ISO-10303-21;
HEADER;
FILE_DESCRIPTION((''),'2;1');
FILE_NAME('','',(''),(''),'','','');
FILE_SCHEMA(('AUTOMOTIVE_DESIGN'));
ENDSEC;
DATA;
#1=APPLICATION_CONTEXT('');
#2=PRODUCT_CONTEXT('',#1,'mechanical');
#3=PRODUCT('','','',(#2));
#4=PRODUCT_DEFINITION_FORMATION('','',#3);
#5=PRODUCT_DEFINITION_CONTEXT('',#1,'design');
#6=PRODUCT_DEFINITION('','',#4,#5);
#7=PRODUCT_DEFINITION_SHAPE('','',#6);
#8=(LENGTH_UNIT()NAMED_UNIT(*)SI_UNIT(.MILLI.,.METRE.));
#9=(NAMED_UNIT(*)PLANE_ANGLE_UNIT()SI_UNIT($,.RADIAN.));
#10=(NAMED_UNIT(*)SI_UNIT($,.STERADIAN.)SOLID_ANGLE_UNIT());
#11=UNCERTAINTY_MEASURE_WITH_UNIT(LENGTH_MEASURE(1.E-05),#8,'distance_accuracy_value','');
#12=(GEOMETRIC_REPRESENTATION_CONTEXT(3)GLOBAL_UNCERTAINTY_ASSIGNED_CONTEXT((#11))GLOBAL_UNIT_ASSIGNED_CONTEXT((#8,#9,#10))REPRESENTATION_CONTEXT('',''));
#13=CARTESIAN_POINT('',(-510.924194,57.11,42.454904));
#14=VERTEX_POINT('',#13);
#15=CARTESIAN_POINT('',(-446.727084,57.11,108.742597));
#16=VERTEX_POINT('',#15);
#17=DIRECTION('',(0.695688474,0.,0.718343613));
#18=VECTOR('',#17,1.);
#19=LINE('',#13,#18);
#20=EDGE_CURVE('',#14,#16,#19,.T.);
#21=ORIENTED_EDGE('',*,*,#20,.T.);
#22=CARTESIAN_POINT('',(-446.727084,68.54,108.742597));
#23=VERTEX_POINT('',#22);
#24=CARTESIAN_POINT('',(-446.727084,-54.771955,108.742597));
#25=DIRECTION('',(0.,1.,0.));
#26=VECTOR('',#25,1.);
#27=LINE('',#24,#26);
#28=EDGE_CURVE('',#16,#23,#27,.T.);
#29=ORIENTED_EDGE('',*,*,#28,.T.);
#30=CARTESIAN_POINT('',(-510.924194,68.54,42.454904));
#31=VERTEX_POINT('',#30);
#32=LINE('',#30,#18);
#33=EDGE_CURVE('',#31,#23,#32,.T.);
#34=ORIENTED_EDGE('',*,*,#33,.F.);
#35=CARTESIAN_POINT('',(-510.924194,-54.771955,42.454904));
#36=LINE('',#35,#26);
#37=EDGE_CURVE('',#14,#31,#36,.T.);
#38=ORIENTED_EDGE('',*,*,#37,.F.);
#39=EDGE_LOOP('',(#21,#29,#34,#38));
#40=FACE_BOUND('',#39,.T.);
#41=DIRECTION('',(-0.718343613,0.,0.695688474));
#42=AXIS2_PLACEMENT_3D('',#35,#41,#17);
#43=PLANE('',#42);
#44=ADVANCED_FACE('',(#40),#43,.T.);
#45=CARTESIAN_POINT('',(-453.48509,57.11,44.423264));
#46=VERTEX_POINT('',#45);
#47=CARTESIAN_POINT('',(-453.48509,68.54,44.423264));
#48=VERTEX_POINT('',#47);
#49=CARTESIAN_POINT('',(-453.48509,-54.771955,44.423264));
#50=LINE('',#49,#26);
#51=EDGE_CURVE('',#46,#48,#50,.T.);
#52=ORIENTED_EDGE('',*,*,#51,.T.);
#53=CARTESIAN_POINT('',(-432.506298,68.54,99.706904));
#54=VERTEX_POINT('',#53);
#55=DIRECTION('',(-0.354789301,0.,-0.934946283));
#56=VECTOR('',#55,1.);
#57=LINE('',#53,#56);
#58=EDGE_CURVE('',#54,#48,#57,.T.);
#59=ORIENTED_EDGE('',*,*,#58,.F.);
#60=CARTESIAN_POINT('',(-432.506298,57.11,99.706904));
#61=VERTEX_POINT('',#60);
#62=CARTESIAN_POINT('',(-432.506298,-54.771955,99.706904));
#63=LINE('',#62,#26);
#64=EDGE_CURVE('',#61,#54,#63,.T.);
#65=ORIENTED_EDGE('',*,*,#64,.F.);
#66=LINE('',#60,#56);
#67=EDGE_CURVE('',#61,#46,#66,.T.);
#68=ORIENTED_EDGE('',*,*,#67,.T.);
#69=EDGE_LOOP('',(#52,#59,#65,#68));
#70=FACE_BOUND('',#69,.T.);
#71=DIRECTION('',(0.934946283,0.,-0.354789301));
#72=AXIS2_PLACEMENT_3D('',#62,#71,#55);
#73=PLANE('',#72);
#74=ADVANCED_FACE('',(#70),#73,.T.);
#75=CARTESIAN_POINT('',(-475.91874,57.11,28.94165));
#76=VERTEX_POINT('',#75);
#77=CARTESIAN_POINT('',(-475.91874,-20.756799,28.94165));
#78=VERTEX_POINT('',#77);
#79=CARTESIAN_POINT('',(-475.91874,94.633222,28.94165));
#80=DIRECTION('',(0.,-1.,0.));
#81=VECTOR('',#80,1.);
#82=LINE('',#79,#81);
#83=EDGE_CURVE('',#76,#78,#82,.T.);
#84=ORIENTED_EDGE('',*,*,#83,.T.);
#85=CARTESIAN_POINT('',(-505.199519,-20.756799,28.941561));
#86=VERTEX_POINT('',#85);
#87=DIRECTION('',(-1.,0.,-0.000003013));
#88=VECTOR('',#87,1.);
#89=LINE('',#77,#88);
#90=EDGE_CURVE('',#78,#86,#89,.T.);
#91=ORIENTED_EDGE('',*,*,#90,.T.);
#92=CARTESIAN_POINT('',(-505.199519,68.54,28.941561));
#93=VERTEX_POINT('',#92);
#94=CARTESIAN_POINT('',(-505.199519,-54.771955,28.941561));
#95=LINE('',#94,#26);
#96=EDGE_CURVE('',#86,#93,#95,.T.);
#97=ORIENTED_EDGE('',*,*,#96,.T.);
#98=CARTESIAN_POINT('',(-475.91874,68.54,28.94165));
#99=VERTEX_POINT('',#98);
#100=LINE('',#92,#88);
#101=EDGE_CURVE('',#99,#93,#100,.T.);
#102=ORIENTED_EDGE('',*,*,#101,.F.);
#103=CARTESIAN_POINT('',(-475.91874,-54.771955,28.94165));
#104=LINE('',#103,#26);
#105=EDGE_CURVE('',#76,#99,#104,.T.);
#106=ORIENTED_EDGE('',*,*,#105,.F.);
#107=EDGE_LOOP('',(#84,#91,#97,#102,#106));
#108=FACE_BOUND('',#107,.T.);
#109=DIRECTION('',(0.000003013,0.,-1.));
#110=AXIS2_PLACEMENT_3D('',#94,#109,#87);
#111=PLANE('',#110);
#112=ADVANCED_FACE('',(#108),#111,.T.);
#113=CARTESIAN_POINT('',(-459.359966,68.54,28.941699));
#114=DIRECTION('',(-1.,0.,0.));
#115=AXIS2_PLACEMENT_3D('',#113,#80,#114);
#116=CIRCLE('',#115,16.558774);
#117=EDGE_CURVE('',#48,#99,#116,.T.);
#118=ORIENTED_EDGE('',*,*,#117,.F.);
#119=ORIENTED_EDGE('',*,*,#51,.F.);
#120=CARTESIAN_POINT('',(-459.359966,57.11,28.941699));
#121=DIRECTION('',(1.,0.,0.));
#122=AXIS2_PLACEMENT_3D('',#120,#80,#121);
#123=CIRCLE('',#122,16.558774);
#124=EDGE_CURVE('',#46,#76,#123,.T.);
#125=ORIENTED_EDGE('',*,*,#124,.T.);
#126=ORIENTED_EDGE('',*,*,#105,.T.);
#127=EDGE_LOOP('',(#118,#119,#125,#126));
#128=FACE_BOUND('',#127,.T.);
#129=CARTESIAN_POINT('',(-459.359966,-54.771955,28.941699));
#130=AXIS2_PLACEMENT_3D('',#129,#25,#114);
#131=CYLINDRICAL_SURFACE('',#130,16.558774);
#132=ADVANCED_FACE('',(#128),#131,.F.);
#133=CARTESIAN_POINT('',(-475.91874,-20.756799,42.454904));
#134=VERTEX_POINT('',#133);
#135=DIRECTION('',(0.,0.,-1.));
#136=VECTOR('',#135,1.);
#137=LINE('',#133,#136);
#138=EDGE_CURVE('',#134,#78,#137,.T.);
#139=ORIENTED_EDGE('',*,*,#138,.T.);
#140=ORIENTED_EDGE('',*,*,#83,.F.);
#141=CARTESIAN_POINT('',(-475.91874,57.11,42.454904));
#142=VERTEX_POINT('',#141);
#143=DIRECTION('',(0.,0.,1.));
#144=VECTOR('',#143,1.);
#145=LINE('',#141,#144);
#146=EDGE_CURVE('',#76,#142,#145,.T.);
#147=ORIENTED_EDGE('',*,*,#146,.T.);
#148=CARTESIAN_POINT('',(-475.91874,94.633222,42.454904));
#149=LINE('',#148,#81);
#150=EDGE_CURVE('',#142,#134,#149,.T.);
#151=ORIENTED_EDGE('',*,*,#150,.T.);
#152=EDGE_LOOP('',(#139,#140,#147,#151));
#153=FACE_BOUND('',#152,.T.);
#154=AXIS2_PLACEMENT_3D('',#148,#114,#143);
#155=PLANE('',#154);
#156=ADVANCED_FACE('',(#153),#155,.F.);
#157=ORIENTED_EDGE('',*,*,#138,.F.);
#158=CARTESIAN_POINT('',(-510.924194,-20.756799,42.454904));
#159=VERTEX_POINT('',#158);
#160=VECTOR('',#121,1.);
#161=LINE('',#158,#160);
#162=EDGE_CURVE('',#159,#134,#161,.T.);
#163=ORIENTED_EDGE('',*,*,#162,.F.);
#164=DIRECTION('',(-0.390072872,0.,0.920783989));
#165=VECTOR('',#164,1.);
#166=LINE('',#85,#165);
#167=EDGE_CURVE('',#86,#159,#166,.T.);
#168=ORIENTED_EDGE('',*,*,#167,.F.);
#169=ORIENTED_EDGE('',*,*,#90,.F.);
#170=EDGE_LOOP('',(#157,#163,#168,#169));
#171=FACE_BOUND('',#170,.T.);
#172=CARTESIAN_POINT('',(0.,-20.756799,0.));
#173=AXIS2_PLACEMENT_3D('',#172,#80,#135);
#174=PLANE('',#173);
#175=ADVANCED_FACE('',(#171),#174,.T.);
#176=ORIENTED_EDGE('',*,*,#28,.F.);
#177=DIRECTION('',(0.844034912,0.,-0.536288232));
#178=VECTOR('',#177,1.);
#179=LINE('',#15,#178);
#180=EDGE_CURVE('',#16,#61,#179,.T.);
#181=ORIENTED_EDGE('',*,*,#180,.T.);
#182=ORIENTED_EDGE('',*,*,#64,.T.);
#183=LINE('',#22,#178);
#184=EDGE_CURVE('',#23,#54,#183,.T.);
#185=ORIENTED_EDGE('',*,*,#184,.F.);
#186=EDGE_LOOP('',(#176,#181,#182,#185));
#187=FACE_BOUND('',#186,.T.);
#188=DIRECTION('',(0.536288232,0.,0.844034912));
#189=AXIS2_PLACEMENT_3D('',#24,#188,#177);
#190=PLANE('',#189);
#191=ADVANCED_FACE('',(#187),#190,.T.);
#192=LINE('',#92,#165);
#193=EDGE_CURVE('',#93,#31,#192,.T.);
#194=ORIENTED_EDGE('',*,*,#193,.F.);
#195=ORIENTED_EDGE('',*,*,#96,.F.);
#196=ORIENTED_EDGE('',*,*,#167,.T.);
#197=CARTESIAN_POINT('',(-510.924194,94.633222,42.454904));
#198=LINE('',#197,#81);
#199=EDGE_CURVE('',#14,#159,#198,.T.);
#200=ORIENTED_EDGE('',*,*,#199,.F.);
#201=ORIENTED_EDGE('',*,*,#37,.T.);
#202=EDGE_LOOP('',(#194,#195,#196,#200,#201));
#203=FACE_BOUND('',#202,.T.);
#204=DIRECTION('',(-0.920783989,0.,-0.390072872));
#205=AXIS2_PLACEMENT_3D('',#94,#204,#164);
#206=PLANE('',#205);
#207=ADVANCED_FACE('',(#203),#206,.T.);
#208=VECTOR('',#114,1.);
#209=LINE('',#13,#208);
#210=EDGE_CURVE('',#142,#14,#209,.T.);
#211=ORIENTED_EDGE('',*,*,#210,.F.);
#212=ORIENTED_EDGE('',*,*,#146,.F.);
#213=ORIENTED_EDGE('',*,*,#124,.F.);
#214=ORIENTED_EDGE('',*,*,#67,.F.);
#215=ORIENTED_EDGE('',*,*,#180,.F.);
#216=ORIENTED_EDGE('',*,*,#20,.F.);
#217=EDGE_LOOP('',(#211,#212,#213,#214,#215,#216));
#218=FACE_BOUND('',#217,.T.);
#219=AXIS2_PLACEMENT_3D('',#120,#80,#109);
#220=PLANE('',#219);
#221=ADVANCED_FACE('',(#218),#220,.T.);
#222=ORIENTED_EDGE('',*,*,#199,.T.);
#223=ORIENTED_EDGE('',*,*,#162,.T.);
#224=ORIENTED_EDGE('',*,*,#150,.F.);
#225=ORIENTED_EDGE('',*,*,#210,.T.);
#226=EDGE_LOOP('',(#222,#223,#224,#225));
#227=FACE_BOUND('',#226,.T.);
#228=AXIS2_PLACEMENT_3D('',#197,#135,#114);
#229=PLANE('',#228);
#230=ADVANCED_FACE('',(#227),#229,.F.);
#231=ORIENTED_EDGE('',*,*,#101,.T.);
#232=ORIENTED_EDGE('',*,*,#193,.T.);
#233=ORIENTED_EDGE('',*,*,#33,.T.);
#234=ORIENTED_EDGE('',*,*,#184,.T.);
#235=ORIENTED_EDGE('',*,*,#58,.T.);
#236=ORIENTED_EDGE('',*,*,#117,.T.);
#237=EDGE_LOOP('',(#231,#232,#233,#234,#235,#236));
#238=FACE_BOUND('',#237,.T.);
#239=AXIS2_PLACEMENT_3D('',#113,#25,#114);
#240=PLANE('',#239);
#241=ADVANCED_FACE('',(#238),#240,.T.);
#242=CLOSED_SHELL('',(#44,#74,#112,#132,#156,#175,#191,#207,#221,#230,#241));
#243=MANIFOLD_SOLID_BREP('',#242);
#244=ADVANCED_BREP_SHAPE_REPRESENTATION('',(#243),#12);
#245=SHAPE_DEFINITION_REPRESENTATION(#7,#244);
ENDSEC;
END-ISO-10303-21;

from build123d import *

# Parameters (mm, degrees)
BOSS_EXTRUDE1_DEPTH = 11.43
BOSS_EXTRUDE2_DEPTH = 77.866799282


with BuildPart() as part:
    # Sketch1 → Boss-Extrude1 (new body)
    with BuildSketch(Plane(origin=(0, 68.54, 0), x_dir=(1, 0, 0), z_dir=(0, 1, 0))):
        with BuildLine():
            Line((-505.199519379, -28.941561379), (-510.924193781, -42.454904444))
            Line((-510.924193781, -42.454904444), (-446.727083924, -108.742597242))
            Line((-446.727083924, -108.742597242), (-432.506297568, -99.706904201))
            Line((-432.506297568, -99.706904201), (-453.485090126, -44.423263798))
            ThreePointArc((-453.485090126, -44.423263798), (-468.76509838, -42.570216845), (-475.918740123, -28.941649602))
            Line((-475.918740123, -28.941649602), (-505.199519379, -28.941561379))
        make_face()
    extrude(amount=-BOSS_EXTRUDE1_DEPTH)

    # Sketch4 → Boss-Extrude2 (add)
    with BuildSketch(Plane(origin=(0, -20.756799282, 0), x_dir=(1, 0, 0), z_dir=(0, 1, 0))):
        Polygon((-505.199519379, -28.941561379), (-510.924193781, -42.454904444), (-475.918740123, -42.454904444), (-475.918740123, -28.941649602), align=None)
    extrude(amount=BOSS_EXTRUDE2_DEPTH)


solid = part.part
